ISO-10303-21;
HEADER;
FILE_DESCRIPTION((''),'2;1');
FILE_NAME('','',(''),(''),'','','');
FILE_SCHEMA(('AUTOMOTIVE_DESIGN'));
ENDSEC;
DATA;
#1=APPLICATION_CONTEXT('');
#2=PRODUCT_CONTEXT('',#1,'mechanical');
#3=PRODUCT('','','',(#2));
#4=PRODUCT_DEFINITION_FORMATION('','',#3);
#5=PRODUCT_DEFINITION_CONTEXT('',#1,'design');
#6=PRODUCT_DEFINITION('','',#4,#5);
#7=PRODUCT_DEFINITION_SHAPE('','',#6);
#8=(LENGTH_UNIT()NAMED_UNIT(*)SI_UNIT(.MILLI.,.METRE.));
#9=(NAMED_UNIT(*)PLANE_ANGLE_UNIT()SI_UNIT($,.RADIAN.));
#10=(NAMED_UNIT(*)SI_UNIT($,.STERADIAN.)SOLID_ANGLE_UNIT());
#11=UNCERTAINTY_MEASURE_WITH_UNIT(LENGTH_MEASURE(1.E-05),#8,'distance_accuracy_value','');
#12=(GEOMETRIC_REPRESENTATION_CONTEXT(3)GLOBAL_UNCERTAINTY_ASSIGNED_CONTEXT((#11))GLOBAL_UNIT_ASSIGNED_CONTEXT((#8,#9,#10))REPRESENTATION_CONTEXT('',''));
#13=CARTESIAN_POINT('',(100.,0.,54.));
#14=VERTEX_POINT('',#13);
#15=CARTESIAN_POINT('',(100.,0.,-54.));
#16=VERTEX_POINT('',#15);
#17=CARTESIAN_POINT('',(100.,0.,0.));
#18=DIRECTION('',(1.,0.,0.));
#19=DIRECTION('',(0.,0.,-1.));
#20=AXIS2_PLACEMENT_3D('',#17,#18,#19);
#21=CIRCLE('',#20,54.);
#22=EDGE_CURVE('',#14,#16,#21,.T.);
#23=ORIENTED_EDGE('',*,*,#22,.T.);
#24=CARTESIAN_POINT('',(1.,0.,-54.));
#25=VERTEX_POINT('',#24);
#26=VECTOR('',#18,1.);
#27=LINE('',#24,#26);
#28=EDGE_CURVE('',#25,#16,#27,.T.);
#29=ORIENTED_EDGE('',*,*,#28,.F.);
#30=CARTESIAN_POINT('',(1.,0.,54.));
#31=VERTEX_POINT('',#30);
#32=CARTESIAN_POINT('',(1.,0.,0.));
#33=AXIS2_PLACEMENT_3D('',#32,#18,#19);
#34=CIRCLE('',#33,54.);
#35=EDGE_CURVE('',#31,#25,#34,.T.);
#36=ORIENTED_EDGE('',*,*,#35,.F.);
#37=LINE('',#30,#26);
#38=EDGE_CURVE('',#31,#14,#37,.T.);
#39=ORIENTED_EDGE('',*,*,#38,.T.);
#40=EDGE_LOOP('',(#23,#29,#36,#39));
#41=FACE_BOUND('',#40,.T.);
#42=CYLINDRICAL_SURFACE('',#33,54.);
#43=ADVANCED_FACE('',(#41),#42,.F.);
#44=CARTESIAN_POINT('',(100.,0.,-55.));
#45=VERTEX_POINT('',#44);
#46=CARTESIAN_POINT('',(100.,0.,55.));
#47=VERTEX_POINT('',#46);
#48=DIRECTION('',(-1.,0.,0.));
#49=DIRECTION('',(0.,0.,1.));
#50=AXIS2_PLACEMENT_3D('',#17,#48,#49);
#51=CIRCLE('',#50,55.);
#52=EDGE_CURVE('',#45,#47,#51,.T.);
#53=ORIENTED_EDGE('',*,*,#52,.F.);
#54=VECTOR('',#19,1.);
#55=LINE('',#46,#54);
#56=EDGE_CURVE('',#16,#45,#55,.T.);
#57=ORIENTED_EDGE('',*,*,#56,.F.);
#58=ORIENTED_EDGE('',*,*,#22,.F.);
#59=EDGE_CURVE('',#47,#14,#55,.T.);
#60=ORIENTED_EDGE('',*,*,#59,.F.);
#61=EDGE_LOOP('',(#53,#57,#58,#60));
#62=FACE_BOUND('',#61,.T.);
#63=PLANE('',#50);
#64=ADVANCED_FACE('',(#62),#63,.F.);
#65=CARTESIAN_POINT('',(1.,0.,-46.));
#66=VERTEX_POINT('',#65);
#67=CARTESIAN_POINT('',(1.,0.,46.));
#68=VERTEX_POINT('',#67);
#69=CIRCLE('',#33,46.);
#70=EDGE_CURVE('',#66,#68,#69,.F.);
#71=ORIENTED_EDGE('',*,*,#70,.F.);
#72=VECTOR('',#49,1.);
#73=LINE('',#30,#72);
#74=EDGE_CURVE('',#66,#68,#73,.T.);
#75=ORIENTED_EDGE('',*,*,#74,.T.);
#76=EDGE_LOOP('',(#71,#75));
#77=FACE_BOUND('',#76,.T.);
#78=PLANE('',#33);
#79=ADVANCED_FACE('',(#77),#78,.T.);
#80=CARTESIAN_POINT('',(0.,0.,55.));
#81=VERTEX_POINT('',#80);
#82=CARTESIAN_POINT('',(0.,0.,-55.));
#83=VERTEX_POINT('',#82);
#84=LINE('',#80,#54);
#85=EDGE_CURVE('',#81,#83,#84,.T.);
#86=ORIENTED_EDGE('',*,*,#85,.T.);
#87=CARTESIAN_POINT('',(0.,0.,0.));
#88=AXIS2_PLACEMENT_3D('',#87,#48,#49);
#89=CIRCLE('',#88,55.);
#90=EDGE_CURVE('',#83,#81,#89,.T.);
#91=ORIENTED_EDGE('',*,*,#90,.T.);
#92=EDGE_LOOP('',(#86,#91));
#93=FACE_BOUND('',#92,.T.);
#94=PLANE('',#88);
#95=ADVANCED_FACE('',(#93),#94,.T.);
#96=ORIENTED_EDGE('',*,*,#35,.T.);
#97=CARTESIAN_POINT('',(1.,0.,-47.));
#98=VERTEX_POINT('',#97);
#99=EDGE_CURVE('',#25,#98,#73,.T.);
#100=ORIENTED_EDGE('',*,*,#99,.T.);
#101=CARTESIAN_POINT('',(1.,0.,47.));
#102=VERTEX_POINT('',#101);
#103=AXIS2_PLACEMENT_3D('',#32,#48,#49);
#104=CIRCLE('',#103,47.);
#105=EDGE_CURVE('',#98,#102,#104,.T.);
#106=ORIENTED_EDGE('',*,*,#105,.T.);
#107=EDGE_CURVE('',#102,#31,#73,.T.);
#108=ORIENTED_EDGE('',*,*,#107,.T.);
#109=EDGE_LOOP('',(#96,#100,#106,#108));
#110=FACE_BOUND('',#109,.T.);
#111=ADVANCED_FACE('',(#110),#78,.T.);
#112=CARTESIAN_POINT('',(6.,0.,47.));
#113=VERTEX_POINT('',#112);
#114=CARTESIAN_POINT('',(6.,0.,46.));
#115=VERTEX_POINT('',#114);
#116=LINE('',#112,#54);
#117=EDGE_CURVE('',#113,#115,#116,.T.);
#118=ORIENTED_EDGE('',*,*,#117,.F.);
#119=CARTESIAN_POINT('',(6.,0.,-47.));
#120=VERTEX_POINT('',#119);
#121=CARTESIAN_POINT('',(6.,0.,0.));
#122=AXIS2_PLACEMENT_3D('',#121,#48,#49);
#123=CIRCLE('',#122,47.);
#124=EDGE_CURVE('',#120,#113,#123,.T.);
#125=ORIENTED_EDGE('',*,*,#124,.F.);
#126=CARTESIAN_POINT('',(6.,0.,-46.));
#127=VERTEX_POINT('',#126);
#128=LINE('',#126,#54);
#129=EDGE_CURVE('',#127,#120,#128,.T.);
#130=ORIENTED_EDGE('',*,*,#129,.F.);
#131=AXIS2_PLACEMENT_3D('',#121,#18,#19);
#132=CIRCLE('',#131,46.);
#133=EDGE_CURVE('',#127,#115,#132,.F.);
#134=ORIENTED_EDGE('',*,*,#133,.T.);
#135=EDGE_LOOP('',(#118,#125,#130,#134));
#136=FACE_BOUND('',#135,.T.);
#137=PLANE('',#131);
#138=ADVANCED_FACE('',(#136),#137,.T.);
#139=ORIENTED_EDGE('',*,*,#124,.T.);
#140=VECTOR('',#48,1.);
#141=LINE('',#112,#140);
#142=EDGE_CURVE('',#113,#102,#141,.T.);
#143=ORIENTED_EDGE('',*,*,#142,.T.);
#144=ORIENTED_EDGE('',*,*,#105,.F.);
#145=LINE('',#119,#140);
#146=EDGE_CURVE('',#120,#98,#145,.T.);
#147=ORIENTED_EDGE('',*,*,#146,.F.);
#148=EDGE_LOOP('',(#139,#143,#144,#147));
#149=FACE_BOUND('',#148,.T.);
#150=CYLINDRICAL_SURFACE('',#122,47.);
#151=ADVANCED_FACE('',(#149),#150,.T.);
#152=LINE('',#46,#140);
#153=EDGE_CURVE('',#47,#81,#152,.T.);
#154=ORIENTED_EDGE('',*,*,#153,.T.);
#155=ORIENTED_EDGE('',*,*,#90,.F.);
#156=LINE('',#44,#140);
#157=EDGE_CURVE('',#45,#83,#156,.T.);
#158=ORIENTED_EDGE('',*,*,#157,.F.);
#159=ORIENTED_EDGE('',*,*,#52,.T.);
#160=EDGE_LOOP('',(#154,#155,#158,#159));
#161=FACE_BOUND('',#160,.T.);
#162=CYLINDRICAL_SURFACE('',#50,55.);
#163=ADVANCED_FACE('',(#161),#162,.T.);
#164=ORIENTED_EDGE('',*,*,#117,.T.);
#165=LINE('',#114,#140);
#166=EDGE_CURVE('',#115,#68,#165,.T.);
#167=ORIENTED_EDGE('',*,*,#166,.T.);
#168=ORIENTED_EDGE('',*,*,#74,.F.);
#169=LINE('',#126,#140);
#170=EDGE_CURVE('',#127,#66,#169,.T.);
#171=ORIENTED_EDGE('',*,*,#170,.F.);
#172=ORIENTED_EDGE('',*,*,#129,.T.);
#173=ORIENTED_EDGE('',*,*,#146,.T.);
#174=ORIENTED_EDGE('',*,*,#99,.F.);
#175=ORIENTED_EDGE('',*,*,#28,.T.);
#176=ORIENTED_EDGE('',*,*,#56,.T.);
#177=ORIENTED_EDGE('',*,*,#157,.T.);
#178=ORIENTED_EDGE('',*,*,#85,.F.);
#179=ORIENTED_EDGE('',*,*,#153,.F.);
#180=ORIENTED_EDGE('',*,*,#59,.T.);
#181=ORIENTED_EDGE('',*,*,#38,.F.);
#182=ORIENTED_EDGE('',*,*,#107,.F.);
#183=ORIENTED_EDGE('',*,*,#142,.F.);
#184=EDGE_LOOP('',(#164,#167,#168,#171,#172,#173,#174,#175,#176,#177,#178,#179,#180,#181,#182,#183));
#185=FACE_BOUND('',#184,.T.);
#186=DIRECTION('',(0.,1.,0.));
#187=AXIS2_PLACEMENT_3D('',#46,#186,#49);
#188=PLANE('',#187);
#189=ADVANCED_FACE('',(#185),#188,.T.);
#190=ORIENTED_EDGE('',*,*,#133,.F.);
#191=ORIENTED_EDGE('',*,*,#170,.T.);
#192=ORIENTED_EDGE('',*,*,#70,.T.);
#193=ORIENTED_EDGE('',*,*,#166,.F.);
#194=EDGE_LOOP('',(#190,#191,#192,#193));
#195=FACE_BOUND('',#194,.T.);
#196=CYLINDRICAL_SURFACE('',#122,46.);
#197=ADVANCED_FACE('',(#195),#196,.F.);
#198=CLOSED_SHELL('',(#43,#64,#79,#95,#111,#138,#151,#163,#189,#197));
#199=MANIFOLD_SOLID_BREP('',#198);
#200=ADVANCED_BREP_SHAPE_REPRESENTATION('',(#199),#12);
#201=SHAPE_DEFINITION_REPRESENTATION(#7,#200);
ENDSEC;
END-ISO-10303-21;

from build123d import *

# Parameters (mm, degrees)
BOSS_EXTRUDE2_DEPTH = 100
CUT_EXTRUDE1_DEPTH  = 99
EXTRUDE_THIN1_DEPTH = 5


with BuildPart() as part:
    # Sketch1 → Boss-Extrude2 (new body)
    with BuildSketch(Plane(origin=(0, 0, 0), x_dir=(0, 0, -1), z_dir=(1, 0, 0))):
        with BuildLine():
            Line((-55, 0), (55, 0))
            ThreePointArc((55, 0), (0, -55), (-55, 0))
        make_face()
    extrude(amount=BOSS_EXTRUDE2_DEPTH)

    # Sketch5 → Cut-Extrude1 (cut)
    with BuildSketch(Plane(origin=(100, 0, 0), x_dir=(0, 0, -1), z_dir=(1, 0, 0))):
        with BuildLine():
            Line((-54, 0), (54, 0))
            ThreePointArc((54, 0), (0, -54), (-54, 0))
        make_face()
    extrude(amount=-CUT_EXTRUDE1_DEPTH, mode=Mode.SUBTRACT)

    # Sketch6 → Extrude-Thin1 (add)
    with BuildSketch(Plane(origin=(1, 0, 0), x_dir=(0, 0, -1), z_dir=(1, 0, 0))):
        with BuildLine():
            ThreePointArc((47, 0), (0, -47), (-47, 0))
            Line((-47, 0), (-46, 0))
            ThreePointArc((-46, 0), (0, -46), (46, 0))
            Line((46, 0), (47, 0))
        make_face()
    extrude(amount=EXTRUDE_THIN1_DEPTH)


solid = part.part
